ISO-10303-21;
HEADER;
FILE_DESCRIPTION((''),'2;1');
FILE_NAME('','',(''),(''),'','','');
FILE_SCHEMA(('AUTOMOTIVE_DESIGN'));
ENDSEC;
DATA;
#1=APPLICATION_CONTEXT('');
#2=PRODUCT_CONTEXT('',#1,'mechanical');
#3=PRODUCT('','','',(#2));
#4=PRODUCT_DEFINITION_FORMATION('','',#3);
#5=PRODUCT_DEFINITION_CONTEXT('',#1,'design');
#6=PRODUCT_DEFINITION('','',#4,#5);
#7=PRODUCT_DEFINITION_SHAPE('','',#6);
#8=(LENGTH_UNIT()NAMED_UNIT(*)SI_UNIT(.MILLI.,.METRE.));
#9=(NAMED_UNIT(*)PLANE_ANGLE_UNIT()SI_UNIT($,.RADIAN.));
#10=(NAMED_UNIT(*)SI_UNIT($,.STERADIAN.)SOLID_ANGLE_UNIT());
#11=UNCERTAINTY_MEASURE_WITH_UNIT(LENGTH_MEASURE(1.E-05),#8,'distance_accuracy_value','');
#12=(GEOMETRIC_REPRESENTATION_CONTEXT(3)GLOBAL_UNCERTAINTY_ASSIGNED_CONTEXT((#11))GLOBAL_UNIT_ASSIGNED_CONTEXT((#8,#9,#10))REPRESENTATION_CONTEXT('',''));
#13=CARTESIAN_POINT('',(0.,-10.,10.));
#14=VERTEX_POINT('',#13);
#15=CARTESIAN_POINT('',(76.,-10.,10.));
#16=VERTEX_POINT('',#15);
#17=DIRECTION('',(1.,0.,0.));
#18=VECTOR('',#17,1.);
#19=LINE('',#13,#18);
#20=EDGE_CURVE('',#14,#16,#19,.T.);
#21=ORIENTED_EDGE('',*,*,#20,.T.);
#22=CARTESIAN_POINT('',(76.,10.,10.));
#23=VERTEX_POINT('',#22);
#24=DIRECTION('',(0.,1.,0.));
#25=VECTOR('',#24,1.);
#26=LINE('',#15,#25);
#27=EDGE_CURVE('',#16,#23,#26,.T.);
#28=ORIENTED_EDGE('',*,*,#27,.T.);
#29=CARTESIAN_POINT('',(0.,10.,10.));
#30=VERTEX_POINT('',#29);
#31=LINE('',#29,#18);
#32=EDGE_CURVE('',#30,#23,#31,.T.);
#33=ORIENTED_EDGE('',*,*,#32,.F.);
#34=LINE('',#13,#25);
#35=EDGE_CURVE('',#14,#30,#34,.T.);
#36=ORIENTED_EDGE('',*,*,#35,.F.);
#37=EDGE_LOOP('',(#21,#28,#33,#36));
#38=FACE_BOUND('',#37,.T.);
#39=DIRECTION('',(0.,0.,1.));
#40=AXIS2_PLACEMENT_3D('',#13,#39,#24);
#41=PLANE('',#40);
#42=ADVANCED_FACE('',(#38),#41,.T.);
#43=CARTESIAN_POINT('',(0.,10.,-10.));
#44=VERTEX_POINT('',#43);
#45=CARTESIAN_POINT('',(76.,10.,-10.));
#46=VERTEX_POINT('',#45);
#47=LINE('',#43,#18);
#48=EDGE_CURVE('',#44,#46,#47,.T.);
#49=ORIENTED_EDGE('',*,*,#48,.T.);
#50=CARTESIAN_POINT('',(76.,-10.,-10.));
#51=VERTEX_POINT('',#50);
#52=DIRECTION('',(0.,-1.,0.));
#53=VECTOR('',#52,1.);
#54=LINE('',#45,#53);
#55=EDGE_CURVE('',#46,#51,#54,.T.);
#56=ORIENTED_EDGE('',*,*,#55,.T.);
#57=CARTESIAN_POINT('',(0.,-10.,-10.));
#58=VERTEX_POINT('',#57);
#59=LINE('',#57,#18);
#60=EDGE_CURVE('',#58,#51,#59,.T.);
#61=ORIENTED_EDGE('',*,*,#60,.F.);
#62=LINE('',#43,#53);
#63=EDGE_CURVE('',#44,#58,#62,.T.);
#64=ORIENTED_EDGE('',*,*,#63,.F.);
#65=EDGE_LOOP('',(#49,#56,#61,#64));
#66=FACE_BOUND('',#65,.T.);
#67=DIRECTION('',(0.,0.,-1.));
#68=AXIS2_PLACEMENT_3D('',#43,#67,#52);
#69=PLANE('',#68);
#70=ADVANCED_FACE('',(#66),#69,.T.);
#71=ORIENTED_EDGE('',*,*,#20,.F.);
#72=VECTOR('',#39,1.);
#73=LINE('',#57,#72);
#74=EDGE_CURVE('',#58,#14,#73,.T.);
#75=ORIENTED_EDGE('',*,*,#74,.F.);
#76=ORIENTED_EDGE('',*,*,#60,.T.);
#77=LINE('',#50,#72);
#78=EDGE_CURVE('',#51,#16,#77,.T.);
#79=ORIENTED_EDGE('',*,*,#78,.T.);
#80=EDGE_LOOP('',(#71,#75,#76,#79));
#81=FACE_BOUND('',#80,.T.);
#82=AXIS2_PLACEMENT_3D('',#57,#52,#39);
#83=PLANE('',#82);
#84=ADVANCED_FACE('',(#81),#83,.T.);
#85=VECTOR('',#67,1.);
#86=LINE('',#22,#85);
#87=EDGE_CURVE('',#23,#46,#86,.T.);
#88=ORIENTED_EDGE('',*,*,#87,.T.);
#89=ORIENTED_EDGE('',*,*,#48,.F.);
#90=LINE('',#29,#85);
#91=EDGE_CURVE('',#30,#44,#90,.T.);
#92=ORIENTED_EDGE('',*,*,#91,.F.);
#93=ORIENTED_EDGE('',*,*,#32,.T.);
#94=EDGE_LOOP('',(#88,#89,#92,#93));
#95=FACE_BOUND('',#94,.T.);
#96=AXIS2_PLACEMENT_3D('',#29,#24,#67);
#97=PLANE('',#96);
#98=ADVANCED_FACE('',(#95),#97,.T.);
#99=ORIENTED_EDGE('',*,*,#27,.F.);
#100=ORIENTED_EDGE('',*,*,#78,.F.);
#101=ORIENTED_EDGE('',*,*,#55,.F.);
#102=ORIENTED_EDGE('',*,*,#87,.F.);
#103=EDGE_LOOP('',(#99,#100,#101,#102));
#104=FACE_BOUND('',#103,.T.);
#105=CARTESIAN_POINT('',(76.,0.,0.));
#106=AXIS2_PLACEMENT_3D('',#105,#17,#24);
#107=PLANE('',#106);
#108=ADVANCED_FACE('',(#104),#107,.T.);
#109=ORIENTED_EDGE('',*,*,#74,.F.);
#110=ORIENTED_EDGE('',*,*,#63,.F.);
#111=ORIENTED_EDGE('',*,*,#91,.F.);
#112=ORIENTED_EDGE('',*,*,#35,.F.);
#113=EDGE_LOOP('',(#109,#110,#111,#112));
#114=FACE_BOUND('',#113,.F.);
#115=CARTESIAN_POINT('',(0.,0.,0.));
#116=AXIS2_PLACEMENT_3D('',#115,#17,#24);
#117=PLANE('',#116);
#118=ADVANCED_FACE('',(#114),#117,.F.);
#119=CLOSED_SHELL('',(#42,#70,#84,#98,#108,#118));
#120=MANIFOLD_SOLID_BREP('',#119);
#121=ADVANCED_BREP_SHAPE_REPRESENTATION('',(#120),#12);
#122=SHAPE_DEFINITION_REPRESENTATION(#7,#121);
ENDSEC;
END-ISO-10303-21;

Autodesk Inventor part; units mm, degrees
ref_plane "YZ Plane" through (0, 0, 0) normal (1, 0, 0) x (0, 1, 0)
ref_plane "XZ Plane" through (0, 0, 0) normal (0, 1, 0) x (-1, 0, 0)
ref_plane "XY Plane" through (0, 0, 0) normal (0, 0, 1) x (1, 0, 0)
sketch "Sketch3" plane through (0, 0, 0) normal (1, 0, 0) x (0, 1, 0)
  line L0 (-10, 10) -> (10, 10)
  line L1 (10, 10) -> (10, -10)
  line L2 (10, -10) -> (-10, -10)
  line L3 (-10, -10) -> (-10, 10)
  line L4 (-10, 10) -> (10, -10) construction
  line L5 (10, 10) -> (-10, -10) construction
  point P0 (0, 0)
  dimension "d2" = 20
  dimension "d3" = 20
extrude "Extrusion1" add sketch "Sketch3" along normal blind 76
equation "\"BendRadius\" = Thickness"
equation "\"BendReliefWidth\" = Thickness"
equation "\"BendReliefDepth\" = 0.5 * Thickness"
equation "\"CornerReliefSize\" = 4 * Thickness"
equation "\"MinimumRemnant\" = 2 * Thickness"
equation "\"TransitionRadius\" = BendRadius"
equation "\"JacobiRadiusSize\" = BendRadius"
equation "\"GapSize\" = Thickness"
equation "\"Thickness\" = 3.048"
properties part number "modelo pila"
